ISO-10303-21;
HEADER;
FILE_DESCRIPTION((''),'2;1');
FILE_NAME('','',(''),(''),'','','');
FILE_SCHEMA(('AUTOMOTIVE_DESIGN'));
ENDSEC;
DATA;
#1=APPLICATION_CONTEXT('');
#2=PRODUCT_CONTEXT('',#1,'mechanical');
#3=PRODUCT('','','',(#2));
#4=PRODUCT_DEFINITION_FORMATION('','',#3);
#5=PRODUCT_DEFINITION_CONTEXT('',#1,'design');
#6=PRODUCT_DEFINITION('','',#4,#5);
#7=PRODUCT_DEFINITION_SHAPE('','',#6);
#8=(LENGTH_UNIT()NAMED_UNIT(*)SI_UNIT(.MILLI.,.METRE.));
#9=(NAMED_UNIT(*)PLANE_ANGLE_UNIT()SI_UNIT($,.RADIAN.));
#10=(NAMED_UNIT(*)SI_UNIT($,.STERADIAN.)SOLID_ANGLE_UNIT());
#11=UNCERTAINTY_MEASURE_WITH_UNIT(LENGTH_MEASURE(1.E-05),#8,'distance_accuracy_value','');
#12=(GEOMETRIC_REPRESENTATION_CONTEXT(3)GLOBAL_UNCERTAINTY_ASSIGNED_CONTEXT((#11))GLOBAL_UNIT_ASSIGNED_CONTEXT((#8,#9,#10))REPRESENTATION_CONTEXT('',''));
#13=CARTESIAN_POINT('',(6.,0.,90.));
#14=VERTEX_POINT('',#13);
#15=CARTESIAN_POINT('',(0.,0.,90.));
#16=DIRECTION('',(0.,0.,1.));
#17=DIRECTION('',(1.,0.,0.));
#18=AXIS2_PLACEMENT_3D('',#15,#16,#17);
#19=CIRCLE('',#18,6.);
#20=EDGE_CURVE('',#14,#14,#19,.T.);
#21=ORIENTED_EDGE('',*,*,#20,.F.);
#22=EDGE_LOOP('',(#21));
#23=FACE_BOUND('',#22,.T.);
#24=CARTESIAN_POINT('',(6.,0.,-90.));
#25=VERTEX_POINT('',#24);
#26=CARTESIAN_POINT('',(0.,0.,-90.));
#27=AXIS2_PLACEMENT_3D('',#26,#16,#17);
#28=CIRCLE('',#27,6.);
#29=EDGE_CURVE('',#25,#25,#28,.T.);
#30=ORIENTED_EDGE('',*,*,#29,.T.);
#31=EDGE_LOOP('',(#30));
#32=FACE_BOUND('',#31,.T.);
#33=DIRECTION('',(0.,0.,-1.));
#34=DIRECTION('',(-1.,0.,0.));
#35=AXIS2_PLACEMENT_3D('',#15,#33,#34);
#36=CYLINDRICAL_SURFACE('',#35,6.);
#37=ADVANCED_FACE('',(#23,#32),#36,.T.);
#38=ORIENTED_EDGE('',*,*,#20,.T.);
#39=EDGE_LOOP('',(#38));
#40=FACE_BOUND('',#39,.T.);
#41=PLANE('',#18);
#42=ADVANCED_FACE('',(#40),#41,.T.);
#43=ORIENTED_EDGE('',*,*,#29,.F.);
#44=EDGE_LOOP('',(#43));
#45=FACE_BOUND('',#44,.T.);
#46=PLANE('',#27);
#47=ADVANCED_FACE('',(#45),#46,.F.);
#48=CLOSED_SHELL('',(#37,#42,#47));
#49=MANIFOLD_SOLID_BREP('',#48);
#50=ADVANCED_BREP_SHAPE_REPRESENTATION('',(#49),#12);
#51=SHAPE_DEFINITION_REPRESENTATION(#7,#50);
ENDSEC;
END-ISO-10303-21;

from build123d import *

# Parameters (mm, degrees)
SKETCH2_R           = 6
BOSS_EXTRUDE1_DEPTH = 90


with BuildPart() as part:
    # Sketch2 → Boss-Extrude1 (new body, symmetric)
    with BuildSketch(Plane.XY):
        Circle(SKETCH2_R)
    extrude(amount=BOSS_EXTRUDE1_DEPTH, both=True)


solid = part.part
